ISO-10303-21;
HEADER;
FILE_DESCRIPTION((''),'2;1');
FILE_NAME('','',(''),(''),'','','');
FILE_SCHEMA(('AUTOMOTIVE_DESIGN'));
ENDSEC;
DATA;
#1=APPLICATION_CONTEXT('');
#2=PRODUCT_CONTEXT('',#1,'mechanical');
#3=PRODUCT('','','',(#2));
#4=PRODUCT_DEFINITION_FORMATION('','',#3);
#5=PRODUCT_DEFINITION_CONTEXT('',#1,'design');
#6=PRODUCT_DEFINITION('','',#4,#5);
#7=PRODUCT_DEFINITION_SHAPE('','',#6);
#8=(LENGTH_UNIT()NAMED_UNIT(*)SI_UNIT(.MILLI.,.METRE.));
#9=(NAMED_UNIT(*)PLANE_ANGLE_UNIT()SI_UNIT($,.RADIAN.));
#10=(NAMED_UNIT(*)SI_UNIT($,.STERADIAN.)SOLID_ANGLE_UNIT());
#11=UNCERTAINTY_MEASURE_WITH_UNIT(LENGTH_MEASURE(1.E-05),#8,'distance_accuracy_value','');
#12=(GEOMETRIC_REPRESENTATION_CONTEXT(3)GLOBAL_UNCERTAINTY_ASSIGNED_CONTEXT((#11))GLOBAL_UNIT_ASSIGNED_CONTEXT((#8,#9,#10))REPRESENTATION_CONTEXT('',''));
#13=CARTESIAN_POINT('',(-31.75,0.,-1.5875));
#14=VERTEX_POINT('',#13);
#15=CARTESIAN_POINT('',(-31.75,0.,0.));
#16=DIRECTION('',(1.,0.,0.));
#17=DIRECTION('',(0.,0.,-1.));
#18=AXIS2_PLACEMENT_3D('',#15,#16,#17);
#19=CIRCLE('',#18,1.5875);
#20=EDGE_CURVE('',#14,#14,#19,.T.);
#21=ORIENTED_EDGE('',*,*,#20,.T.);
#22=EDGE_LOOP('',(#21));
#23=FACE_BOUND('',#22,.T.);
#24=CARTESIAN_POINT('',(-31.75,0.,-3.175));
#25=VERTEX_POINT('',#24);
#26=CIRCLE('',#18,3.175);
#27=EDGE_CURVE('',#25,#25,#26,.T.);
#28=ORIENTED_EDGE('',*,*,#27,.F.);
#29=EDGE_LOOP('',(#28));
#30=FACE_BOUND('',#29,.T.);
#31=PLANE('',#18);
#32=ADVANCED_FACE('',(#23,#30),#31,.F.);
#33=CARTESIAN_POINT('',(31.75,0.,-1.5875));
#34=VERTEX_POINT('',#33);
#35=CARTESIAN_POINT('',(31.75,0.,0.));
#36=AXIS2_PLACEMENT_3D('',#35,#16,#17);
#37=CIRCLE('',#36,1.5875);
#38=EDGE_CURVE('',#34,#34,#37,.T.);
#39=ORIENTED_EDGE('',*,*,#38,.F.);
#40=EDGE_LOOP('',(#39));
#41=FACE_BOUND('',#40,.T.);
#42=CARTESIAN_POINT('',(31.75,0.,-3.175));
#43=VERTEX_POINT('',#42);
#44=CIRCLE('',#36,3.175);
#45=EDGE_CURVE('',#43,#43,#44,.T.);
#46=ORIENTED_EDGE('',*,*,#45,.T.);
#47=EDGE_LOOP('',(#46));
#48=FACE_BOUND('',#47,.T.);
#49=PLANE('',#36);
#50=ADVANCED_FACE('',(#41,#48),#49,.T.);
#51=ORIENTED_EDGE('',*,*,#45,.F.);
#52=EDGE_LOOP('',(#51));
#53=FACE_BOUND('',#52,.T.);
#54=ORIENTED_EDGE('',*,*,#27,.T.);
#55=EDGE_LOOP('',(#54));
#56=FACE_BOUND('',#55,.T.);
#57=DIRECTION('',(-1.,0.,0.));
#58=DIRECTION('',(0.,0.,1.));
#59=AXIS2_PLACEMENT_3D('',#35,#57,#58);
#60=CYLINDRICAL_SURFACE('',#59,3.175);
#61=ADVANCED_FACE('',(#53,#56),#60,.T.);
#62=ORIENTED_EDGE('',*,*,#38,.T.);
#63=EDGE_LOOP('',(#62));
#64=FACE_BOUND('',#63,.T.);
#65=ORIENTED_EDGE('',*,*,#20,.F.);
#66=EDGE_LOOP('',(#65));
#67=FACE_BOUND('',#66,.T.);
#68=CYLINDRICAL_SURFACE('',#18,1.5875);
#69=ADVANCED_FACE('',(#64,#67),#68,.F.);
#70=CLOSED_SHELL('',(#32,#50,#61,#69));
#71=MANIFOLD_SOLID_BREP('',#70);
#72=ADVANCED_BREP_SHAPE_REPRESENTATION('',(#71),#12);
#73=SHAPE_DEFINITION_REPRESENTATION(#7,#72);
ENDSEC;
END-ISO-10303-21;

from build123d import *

# Parameters (mm, degrees)
SKETCH1_R           = 6.35
BOSS_EXTRUDE1_DEPTH = 63.5
SKETCH2_R           = 3.175
CUT_EXTRUDE1_DEPTH  = 128.317104114
SCALE1_SCALE        = 0.5


with BuildPart() as part:
    # Sketch1 → Boss-Extrude1 (new, symmetric)
    with BuildSketch(Plane(origin=(0, 0, 0), x_dir=(0, 0, -1), z_dir=(1, 0, 0))):
        Circle(SKETCH1_R)
    extrude(amount=BOSS_EXTRUDE1_DEPTH, both=True)

    # Sketch2 → Cut-Extrude1 (cut, through all)
    with BuildSketch(Plane(origin=(63.5, 0, 0), x_dir=(0, 0, -1), z_dir=(1, 0, 0))):
        Circle(SKETCH2_R)
    extrude(amount=-CUT_EXTRUDE1_DEPTH, mode=Mode.SUBTRACT)


with BuildPart() as part_1:
    # Scale1: scaled about (0, 0, 0)
    add(part.part.scale(SCALE1_SCALE))


solid = part_1.part
